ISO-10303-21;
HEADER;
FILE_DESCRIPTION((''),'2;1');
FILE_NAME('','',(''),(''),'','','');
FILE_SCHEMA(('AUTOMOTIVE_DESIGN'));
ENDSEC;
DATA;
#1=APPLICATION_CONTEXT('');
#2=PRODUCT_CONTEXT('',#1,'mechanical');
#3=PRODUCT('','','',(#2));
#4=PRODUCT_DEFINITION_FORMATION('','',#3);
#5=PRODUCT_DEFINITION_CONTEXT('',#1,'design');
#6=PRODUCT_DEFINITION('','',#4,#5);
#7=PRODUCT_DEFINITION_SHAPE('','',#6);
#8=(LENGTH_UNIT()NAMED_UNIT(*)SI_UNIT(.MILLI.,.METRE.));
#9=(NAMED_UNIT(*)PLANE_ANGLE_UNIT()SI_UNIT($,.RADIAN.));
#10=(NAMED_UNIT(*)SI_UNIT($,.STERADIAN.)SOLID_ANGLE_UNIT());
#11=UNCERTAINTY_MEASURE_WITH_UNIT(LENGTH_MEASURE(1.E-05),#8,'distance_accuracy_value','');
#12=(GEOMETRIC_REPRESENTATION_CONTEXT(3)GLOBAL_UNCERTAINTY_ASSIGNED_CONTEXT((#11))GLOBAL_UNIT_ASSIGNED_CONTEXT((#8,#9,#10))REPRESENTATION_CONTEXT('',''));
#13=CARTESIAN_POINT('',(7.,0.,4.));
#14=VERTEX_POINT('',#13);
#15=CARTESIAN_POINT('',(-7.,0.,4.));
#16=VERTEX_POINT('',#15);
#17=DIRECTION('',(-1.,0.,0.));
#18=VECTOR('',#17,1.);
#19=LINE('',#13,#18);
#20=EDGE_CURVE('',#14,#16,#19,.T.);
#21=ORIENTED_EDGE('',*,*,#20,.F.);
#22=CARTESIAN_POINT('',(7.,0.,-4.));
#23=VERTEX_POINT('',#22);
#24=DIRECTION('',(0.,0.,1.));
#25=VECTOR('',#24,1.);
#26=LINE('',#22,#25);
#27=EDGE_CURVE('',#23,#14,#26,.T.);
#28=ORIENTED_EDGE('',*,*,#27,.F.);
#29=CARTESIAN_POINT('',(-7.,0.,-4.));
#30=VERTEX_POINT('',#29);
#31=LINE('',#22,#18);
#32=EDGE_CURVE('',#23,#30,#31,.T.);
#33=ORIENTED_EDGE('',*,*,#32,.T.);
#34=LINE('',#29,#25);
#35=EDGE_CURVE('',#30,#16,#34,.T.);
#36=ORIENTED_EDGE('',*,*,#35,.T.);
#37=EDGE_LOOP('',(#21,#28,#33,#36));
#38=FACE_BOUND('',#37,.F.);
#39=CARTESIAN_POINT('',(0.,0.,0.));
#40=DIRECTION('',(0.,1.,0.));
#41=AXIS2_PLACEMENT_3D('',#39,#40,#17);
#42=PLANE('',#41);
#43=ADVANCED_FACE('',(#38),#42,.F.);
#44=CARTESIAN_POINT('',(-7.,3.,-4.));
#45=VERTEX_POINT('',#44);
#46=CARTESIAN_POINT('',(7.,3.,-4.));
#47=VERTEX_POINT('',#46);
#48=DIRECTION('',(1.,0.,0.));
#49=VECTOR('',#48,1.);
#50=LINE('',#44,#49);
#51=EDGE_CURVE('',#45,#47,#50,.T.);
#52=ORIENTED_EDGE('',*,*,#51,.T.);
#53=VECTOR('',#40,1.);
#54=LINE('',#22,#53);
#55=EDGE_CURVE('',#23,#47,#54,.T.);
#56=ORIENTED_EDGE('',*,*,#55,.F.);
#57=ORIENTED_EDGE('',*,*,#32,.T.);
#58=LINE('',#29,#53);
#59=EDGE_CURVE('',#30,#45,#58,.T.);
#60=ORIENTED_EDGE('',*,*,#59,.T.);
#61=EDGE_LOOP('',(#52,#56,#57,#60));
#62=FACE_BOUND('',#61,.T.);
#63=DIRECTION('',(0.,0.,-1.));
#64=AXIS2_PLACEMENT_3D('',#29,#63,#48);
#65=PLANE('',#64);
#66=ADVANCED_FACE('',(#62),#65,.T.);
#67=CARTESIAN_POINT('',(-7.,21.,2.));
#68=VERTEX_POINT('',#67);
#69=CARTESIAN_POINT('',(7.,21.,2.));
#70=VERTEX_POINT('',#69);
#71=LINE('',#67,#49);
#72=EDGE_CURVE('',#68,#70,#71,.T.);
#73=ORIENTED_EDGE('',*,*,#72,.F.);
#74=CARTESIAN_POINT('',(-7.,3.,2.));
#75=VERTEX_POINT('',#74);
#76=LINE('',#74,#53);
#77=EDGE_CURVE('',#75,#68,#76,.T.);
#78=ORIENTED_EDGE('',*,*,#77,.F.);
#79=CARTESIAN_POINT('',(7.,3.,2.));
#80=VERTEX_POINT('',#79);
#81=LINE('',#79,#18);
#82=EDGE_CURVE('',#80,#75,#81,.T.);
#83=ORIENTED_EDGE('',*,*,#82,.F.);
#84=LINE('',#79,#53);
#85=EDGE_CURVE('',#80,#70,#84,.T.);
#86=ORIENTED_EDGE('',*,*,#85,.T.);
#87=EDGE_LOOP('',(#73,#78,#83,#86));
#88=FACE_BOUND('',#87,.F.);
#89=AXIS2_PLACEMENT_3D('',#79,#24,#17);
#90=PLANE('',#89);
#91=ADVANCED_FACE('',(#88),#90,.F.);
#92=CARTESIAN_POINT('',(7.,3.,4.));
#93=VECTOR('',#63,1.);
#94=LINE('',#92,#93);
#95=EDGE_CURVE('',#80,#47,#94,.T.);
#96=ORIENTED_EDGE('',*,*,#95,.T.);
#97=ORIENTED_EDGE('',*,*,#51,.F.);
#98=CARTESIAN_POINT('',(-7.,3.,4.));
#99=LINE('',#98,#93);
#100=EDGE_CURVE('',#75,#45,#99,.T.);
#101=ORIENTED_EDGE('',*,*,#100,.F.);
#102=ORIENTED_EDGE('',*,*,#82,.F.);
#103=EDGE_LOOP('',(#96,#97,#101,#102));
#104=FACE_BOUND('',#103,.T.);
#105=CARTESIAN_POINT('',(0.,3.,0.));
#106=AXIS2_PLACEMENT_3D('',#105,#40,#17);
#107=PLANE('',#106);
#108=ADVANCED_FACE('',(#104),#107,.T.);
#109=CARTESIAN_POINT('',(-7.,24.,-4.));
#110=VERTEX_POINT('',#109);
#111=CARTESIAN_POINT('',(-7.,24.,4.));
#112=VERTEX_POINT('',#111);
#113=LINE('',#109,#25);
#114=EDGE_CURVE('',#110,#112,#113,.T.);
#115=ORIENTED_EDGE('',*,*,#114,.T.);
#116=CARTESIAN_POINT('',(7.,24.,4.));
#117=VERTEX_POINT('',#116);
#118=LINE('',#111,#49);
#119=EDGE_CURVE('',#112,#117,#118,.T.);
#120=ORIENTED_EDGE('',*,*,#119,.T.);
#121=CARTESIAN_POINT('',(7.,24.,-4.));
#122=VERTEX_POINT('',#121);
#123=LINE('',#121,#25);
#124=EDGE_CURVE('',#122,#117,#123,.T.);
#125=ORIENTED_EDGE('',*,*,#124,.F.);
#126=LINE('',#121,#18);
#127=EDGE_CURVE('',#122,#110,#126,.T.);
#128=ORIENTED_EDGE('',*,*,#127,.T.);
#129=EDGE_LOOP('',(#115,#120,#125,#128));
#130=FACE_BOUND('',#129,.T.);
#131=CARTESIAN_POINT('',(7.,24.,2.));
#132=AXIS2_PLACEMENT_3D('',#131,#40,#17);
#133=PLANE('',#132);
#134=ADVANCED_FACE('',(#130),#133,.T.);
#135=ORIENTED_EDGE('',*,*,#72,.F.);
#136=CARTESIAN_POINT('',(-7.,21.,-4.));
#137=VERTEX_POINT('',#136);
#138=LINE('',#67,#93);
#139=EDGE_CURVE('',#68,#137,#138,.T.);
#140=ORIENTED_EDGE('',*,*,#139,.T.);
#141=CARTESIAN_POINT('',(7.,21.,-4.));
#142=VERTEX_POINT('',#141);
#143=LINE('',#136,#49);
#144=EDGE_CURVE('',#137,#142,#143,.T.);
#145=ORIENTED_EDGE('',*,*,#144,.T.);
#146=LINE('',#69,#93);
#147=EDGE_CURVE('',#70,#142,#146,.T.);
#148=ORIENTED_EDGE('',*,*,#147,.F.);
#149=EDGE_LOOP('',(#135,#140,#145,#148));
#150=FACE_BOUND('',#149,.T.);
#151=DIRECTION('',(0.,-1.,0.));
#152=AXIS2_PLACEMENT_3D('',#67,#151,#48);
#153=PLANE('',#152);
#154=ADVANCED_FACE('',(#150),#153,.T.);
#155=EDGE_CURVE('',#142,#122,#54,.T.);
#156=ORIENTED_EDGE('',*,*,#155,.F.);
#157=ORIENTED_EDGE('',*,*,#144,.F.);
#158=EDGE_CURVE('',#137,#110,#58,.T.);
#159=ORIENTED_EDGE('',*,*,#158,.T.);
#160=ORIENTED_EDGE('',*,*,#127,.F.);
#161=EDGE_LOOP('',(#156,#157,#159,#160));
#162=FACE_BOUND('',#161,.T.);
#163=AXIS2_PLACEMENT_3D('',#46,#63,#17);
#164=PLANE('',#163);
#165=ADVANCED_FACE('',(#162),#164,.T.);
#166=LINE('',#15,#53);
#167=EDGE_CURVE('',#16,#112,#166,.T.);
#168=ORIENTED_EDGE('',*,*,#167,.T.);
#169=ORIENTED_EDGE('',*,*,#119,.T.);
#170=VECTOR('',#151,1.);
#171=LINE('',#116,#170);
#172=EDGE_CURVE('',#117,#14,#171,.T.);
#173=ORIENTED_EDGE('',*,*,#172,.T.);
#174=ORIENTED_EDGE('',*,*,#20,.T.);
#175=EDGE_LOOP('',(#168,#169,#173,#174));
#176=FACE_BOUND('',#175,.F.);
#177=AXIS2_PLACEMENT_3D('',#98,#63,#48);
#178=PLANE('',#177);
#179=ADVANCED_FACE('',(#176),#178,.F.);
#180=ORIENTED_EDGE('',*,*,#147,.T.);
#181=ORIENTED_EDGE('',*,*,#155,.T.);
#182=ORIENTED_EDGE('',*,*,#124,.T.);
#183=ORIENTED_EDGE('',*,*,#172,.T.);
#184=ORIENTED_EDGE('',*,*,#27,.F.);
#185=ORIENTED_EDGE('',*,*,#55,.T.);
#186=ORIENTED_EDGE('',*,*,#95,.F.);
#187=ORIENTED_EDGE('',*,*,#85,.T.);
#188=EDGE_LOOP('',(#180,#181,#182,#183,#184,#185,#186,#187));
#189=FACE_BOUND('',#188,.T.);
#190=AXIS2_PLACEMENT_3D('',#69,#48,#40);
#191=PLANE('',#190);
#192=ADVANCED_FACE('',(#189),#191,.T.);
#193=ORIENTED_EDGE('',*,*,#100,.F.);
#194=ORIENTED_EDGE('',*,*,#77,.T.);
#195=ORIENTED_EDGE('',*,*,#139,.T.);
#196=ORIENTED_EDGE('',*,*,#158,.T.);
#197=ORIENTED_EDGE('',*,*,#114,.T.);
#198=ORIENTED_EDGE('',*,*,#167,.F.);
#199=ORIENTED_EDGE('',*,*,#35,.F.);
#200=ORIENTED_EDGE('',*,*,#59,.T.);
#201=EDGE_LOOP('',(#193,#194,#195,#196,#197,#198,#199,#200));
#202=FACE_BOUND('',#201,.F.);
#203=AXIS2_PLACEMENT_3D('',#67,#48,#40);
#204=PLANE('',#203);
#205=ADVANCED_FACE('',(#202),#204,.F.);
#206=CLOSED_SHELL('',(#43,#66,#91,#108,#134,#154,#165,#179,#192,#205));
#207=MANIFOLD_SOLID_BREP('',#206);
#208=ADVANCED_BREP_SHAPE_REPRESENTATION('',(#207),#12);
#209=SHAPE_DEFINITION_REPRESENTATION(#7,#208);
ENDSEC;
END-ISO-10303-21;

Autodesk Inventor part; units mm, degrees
ref_plane "YZ Plane" through (0, 0, 0) normal (1, 0, 0) x (0, 1, 0)
ref_plane "XZ Plane" through (0, 0, 0) normal (0, 1, 0) x (-1, 0, 0)
ref_plane "XY Plane" through (0, 0, 0) normal (0, 0, 1) x (1, 0, 0)
sketch "Sketch1" plane through (0, 0, 0) normal (0, 1, 0) x (-1, 0, 0)
  line L0 (9.8, 0) -> (-9.8, 0) projected
  line L1 (0, -5.6) -> (0, 5.6) projected
  line L2 (-7, 4) -> (7, 4)
  line L3 (7, 4) -> (7, -4)
  line L4 (7, -4) -> (-7, -4)
  line L5 (-7, -4) -> (-7, 4)
  line L6 (-7, 4) -> (7, -4) construction
  line L7 (7, 4) -> (-7, -4) construction
  point P0 (0, 0)
  dimension "d0" = 14
  dimension "d1" = 8
extrude "Extrusion1" add sketch "Sketch1" along normal blind 3
sketch "Sketch2" plane through (0, 3, 0) normal (0, 1, 0) x (1, 0, 0)
  line L0 (-7, 4) -> (-7, -4) projected
  line L1 (7, -4) -> (7, 4) projected
  line L2 (-7, -4) -> (7, -4)
  line L3 (7, -4) -> (7, -2)
  line L4 (7, -2) -> (-7, -2)
  line L5 (-7, -2) -> (-7, -4)
  point P0 (0, 0)
  point P1 (-7, -2)
  dimension "d4" = 2
extrude "Extrusion2" add sketch "Sketch2" along normal blind 21
sketch "Sketch3" plane through (7, 3, 2) normal (0, 0, -1) x (-1, 0, 0)
  line L0 (0, -3) -> (0, 21) projected
  line L1 (14, -3) -> (14, 21) projected
  line L2 (0, 21) -> (14, 21)
  line L3 (14, 21) -> (14, 18)
  line L4 (14, 18) -> (0, 18)
  line L5 (0, 18) -> (0, 21)
  point P0 (7, -3)
  point P1 (0, 18)
  dimension "d7" = 3
extrude "Extrusion3" add sketch "Sketch3" along normal up to surface (6 mm away)
properties part number "uchwyt_krancowka_alternatywa_2"
